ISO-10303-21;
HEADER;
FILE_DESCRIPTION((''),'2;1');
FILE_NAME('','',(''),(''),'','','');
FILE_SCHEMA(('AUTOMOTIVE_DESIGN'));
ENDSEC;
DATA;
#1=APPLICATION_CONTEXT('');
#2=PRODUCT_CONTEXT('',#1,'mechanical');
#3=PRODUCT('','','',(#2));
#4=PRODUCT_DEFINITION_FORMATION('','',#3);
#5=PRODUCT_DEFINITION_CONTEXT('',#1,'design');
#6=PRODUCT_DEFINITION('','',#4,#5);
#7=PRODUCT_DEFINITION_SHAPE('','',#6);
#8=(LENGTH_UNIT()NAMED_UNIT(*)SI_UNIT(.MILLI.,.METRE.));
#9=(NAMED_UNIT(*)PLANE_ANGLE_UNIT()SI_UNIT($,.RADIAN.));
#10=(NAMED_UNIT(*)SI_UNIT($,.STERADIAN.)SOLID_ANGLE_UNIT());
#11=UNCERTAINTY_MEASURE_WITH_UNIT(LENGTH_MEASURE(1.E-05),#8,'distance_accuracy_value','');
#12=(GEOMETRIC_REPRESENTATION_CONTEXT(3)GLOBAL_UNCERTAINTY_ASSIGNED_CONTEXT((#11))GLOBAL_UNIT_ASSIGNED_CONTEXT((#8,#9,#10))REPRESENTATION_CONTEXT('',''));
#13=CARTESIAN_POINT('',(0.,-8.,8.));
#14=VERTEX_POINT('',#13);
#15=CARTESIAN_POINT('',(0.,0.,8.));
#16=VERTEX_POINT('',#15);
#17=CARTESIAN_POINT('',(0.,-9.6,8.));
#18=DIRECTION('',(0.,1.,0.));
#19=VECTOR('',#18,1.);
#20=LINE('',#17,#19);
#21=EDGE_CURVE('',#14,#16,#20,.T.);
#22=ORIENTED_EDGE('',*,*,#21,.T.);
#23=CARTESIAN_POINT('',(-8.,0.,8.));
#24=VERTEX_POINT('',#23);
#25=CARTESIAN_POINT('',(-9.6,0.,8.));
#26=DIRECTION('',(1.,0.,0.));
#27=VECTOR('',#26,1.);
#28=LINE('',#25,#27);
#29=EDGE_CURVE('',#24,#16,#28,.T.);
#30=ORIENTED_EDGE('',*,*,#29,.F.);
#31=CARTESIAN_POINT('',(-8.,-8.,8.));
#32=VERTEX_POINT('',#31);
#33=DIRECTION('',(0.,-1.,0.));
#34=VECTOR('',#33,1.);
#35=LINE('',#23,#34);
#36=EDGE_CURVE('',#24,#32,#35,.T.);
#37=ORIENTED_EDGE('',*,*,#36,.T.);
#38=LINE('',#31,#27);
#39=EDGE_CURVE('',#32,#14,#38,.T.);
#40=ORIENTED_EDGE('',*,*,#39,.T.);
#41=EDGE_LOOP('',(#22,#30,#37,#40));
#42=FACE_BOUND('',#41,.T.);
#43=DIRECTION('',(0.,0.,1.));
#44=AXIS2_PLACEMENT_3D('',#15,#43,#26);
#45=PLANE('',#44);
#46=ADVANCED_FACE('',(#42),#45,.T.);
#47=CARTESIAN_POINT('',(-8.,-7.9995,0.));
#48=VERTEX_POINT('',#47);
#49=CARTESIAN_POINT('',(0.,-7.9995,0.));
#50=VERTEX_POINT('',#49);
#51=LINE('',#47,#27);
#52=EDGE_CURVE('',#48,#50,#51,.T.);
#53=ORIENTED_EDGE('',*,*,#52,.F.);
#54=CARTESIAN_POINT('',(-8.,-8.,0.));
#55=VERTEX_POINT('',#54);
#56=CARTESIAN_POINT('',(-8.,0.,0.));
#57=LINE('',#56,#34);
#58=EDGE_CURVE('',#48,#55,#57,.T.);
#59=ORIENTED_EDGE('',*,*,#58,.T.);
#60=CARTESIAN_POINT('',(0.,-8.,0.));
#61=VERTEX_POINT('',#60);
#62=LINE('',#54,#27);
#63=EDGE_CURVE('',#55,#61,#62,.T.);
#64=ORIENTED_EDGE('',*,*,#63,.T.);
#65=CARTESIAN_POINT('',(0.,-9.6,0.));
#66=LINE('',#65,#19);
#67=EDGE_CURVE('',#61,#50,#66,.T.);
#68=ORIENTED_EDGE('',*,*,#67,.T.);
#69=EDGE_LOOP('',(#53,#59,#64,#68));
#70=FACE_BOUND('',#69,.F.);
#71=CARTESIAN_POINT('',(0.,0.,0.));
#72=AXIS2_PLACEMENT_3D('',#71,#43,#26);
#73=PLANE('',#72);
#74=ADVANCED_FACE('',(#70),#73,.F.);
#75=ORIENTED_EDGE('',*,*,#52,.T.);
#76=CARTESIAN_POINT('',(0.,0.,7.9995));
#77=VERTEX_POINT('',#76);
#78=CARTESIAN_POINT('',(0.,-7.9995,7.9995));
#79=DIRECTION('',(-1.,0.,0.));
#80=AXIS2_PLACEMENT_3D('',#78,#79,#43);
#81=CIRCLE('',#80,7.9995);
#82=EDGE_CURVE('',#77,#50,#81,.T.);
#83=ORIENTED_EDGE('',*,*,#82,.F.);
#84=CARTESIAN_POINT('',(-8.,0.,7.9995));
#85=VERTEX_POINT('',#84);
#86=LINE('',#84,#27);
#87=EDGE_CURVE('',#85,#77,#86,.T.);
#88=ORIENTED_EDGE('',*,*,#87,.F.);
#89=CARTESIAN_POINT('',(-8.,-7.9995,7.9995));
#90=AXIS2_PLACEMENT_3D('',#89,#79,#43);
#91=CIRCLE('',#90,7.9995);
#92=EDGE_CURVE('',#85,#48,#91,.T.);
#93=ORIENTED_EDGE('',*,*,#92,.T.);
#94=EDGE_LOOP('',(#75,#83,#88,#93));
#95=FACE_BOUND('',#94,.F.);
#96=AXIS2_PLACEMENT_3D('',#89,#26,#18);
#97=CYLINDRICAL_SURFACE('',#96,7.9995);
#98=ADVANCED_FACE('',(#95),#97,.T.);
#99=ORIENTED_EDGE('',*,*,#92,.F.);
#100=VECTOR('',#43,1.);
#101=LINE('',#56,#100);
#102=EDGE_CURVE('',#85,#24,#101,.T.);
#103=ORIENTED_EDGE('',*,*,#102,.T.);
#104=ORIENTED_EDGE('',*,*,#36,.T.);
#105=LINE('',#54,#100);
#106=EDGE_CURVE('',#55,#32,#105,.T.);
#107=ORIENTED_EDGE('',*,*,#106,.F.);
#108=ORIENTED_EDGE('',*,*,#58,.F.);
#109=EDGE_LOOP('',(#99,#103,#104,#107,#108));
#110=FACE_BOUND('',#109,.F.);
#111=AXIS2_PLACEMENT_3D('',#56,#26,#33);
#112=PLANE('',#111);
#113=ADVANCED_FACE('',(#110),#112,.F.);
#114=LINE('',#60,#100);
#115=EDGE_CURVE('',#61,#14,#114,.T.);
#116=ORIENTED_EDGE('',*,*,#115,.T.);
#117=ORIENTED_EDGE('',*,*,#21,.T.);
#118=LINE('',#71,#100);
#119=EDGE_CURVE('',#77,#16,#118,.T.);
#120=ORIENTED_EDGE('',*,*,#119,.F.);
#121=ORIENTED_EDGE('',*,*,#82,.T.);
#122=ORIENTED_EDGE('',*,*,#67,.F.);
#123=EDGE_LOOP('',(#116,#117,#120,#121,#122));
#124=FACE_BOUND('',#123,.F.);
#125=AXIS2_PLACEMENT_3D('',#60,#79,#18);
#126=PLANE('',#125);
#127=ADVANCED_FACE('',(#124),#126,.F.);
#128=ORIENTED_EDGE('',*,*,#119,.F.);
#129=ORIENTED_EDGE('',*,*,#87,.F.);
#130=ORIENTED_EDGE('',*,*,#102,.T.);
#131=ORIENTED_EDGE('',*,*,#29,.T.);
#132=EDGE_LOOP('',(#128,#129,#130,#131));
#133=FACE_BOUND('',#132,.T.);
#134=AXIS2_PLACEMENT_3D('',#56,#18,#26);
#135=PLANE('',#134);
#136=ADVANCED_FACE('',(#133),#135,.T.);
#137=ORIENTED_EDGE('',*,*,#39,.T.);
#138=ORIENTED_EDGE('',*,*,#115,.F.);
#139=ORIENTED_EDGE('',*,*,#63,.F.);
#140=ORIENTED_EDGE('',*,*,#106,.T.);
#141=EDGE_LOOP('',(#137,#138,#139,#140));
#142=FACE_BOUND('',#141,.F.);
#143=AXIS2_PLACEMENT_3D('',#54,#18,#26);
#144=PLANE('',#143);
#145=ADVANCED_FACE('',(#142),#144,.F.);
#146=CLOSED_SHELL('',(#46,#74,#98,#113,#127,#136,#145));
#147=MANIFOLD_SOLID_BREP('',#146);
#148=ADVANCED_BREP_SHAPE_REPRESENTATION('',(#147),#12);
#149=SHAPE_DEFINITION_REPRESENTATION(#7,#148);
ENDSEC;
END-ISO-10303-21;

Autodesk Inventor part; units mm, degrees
ref_plane "YZ Plane" through (0, 0, 0) normal (1, 0, 0) x (0, 1, 0)
ref_plane "XZ Plane" through (0, 0, 0) normal (0, 1, 0) x (-1, 0, 0)
ref_plane "XY Plane" through (0, 0, 0) normal (0, 0, 1) x (1, 0, 0)
sketch "Skizze1" plane through (0, 0, 0) normal (0, 0, 1) x (1, 0, 0)
  line L0 (-9.6, 0) -> (1.6, 0) projected
  line L1 (0, -9.6) -> (0, 1.6) projected
  line L2 (0, 0) -> (-8, 0)
  line L3 (-8, 0) -> (-8, -8)
  line L4 (-8, -8) -> (0, -8)
  line L5 (0, -8) -> (0, 0)
  point P0 (0, -8)
  point P1 (-8, 0)
  point P2 (0, -8)
  dimension "d0" = 8
  dimension "d1" = 8
extrude "Extrusion1" add sketch "Skizze1" along normal blind 8
fillet "Rundung2" radius 8 1 edges at (-4, 0, 0)
properties part number "Eihalter_Halter" material "Acetalharz, Schwarz"
